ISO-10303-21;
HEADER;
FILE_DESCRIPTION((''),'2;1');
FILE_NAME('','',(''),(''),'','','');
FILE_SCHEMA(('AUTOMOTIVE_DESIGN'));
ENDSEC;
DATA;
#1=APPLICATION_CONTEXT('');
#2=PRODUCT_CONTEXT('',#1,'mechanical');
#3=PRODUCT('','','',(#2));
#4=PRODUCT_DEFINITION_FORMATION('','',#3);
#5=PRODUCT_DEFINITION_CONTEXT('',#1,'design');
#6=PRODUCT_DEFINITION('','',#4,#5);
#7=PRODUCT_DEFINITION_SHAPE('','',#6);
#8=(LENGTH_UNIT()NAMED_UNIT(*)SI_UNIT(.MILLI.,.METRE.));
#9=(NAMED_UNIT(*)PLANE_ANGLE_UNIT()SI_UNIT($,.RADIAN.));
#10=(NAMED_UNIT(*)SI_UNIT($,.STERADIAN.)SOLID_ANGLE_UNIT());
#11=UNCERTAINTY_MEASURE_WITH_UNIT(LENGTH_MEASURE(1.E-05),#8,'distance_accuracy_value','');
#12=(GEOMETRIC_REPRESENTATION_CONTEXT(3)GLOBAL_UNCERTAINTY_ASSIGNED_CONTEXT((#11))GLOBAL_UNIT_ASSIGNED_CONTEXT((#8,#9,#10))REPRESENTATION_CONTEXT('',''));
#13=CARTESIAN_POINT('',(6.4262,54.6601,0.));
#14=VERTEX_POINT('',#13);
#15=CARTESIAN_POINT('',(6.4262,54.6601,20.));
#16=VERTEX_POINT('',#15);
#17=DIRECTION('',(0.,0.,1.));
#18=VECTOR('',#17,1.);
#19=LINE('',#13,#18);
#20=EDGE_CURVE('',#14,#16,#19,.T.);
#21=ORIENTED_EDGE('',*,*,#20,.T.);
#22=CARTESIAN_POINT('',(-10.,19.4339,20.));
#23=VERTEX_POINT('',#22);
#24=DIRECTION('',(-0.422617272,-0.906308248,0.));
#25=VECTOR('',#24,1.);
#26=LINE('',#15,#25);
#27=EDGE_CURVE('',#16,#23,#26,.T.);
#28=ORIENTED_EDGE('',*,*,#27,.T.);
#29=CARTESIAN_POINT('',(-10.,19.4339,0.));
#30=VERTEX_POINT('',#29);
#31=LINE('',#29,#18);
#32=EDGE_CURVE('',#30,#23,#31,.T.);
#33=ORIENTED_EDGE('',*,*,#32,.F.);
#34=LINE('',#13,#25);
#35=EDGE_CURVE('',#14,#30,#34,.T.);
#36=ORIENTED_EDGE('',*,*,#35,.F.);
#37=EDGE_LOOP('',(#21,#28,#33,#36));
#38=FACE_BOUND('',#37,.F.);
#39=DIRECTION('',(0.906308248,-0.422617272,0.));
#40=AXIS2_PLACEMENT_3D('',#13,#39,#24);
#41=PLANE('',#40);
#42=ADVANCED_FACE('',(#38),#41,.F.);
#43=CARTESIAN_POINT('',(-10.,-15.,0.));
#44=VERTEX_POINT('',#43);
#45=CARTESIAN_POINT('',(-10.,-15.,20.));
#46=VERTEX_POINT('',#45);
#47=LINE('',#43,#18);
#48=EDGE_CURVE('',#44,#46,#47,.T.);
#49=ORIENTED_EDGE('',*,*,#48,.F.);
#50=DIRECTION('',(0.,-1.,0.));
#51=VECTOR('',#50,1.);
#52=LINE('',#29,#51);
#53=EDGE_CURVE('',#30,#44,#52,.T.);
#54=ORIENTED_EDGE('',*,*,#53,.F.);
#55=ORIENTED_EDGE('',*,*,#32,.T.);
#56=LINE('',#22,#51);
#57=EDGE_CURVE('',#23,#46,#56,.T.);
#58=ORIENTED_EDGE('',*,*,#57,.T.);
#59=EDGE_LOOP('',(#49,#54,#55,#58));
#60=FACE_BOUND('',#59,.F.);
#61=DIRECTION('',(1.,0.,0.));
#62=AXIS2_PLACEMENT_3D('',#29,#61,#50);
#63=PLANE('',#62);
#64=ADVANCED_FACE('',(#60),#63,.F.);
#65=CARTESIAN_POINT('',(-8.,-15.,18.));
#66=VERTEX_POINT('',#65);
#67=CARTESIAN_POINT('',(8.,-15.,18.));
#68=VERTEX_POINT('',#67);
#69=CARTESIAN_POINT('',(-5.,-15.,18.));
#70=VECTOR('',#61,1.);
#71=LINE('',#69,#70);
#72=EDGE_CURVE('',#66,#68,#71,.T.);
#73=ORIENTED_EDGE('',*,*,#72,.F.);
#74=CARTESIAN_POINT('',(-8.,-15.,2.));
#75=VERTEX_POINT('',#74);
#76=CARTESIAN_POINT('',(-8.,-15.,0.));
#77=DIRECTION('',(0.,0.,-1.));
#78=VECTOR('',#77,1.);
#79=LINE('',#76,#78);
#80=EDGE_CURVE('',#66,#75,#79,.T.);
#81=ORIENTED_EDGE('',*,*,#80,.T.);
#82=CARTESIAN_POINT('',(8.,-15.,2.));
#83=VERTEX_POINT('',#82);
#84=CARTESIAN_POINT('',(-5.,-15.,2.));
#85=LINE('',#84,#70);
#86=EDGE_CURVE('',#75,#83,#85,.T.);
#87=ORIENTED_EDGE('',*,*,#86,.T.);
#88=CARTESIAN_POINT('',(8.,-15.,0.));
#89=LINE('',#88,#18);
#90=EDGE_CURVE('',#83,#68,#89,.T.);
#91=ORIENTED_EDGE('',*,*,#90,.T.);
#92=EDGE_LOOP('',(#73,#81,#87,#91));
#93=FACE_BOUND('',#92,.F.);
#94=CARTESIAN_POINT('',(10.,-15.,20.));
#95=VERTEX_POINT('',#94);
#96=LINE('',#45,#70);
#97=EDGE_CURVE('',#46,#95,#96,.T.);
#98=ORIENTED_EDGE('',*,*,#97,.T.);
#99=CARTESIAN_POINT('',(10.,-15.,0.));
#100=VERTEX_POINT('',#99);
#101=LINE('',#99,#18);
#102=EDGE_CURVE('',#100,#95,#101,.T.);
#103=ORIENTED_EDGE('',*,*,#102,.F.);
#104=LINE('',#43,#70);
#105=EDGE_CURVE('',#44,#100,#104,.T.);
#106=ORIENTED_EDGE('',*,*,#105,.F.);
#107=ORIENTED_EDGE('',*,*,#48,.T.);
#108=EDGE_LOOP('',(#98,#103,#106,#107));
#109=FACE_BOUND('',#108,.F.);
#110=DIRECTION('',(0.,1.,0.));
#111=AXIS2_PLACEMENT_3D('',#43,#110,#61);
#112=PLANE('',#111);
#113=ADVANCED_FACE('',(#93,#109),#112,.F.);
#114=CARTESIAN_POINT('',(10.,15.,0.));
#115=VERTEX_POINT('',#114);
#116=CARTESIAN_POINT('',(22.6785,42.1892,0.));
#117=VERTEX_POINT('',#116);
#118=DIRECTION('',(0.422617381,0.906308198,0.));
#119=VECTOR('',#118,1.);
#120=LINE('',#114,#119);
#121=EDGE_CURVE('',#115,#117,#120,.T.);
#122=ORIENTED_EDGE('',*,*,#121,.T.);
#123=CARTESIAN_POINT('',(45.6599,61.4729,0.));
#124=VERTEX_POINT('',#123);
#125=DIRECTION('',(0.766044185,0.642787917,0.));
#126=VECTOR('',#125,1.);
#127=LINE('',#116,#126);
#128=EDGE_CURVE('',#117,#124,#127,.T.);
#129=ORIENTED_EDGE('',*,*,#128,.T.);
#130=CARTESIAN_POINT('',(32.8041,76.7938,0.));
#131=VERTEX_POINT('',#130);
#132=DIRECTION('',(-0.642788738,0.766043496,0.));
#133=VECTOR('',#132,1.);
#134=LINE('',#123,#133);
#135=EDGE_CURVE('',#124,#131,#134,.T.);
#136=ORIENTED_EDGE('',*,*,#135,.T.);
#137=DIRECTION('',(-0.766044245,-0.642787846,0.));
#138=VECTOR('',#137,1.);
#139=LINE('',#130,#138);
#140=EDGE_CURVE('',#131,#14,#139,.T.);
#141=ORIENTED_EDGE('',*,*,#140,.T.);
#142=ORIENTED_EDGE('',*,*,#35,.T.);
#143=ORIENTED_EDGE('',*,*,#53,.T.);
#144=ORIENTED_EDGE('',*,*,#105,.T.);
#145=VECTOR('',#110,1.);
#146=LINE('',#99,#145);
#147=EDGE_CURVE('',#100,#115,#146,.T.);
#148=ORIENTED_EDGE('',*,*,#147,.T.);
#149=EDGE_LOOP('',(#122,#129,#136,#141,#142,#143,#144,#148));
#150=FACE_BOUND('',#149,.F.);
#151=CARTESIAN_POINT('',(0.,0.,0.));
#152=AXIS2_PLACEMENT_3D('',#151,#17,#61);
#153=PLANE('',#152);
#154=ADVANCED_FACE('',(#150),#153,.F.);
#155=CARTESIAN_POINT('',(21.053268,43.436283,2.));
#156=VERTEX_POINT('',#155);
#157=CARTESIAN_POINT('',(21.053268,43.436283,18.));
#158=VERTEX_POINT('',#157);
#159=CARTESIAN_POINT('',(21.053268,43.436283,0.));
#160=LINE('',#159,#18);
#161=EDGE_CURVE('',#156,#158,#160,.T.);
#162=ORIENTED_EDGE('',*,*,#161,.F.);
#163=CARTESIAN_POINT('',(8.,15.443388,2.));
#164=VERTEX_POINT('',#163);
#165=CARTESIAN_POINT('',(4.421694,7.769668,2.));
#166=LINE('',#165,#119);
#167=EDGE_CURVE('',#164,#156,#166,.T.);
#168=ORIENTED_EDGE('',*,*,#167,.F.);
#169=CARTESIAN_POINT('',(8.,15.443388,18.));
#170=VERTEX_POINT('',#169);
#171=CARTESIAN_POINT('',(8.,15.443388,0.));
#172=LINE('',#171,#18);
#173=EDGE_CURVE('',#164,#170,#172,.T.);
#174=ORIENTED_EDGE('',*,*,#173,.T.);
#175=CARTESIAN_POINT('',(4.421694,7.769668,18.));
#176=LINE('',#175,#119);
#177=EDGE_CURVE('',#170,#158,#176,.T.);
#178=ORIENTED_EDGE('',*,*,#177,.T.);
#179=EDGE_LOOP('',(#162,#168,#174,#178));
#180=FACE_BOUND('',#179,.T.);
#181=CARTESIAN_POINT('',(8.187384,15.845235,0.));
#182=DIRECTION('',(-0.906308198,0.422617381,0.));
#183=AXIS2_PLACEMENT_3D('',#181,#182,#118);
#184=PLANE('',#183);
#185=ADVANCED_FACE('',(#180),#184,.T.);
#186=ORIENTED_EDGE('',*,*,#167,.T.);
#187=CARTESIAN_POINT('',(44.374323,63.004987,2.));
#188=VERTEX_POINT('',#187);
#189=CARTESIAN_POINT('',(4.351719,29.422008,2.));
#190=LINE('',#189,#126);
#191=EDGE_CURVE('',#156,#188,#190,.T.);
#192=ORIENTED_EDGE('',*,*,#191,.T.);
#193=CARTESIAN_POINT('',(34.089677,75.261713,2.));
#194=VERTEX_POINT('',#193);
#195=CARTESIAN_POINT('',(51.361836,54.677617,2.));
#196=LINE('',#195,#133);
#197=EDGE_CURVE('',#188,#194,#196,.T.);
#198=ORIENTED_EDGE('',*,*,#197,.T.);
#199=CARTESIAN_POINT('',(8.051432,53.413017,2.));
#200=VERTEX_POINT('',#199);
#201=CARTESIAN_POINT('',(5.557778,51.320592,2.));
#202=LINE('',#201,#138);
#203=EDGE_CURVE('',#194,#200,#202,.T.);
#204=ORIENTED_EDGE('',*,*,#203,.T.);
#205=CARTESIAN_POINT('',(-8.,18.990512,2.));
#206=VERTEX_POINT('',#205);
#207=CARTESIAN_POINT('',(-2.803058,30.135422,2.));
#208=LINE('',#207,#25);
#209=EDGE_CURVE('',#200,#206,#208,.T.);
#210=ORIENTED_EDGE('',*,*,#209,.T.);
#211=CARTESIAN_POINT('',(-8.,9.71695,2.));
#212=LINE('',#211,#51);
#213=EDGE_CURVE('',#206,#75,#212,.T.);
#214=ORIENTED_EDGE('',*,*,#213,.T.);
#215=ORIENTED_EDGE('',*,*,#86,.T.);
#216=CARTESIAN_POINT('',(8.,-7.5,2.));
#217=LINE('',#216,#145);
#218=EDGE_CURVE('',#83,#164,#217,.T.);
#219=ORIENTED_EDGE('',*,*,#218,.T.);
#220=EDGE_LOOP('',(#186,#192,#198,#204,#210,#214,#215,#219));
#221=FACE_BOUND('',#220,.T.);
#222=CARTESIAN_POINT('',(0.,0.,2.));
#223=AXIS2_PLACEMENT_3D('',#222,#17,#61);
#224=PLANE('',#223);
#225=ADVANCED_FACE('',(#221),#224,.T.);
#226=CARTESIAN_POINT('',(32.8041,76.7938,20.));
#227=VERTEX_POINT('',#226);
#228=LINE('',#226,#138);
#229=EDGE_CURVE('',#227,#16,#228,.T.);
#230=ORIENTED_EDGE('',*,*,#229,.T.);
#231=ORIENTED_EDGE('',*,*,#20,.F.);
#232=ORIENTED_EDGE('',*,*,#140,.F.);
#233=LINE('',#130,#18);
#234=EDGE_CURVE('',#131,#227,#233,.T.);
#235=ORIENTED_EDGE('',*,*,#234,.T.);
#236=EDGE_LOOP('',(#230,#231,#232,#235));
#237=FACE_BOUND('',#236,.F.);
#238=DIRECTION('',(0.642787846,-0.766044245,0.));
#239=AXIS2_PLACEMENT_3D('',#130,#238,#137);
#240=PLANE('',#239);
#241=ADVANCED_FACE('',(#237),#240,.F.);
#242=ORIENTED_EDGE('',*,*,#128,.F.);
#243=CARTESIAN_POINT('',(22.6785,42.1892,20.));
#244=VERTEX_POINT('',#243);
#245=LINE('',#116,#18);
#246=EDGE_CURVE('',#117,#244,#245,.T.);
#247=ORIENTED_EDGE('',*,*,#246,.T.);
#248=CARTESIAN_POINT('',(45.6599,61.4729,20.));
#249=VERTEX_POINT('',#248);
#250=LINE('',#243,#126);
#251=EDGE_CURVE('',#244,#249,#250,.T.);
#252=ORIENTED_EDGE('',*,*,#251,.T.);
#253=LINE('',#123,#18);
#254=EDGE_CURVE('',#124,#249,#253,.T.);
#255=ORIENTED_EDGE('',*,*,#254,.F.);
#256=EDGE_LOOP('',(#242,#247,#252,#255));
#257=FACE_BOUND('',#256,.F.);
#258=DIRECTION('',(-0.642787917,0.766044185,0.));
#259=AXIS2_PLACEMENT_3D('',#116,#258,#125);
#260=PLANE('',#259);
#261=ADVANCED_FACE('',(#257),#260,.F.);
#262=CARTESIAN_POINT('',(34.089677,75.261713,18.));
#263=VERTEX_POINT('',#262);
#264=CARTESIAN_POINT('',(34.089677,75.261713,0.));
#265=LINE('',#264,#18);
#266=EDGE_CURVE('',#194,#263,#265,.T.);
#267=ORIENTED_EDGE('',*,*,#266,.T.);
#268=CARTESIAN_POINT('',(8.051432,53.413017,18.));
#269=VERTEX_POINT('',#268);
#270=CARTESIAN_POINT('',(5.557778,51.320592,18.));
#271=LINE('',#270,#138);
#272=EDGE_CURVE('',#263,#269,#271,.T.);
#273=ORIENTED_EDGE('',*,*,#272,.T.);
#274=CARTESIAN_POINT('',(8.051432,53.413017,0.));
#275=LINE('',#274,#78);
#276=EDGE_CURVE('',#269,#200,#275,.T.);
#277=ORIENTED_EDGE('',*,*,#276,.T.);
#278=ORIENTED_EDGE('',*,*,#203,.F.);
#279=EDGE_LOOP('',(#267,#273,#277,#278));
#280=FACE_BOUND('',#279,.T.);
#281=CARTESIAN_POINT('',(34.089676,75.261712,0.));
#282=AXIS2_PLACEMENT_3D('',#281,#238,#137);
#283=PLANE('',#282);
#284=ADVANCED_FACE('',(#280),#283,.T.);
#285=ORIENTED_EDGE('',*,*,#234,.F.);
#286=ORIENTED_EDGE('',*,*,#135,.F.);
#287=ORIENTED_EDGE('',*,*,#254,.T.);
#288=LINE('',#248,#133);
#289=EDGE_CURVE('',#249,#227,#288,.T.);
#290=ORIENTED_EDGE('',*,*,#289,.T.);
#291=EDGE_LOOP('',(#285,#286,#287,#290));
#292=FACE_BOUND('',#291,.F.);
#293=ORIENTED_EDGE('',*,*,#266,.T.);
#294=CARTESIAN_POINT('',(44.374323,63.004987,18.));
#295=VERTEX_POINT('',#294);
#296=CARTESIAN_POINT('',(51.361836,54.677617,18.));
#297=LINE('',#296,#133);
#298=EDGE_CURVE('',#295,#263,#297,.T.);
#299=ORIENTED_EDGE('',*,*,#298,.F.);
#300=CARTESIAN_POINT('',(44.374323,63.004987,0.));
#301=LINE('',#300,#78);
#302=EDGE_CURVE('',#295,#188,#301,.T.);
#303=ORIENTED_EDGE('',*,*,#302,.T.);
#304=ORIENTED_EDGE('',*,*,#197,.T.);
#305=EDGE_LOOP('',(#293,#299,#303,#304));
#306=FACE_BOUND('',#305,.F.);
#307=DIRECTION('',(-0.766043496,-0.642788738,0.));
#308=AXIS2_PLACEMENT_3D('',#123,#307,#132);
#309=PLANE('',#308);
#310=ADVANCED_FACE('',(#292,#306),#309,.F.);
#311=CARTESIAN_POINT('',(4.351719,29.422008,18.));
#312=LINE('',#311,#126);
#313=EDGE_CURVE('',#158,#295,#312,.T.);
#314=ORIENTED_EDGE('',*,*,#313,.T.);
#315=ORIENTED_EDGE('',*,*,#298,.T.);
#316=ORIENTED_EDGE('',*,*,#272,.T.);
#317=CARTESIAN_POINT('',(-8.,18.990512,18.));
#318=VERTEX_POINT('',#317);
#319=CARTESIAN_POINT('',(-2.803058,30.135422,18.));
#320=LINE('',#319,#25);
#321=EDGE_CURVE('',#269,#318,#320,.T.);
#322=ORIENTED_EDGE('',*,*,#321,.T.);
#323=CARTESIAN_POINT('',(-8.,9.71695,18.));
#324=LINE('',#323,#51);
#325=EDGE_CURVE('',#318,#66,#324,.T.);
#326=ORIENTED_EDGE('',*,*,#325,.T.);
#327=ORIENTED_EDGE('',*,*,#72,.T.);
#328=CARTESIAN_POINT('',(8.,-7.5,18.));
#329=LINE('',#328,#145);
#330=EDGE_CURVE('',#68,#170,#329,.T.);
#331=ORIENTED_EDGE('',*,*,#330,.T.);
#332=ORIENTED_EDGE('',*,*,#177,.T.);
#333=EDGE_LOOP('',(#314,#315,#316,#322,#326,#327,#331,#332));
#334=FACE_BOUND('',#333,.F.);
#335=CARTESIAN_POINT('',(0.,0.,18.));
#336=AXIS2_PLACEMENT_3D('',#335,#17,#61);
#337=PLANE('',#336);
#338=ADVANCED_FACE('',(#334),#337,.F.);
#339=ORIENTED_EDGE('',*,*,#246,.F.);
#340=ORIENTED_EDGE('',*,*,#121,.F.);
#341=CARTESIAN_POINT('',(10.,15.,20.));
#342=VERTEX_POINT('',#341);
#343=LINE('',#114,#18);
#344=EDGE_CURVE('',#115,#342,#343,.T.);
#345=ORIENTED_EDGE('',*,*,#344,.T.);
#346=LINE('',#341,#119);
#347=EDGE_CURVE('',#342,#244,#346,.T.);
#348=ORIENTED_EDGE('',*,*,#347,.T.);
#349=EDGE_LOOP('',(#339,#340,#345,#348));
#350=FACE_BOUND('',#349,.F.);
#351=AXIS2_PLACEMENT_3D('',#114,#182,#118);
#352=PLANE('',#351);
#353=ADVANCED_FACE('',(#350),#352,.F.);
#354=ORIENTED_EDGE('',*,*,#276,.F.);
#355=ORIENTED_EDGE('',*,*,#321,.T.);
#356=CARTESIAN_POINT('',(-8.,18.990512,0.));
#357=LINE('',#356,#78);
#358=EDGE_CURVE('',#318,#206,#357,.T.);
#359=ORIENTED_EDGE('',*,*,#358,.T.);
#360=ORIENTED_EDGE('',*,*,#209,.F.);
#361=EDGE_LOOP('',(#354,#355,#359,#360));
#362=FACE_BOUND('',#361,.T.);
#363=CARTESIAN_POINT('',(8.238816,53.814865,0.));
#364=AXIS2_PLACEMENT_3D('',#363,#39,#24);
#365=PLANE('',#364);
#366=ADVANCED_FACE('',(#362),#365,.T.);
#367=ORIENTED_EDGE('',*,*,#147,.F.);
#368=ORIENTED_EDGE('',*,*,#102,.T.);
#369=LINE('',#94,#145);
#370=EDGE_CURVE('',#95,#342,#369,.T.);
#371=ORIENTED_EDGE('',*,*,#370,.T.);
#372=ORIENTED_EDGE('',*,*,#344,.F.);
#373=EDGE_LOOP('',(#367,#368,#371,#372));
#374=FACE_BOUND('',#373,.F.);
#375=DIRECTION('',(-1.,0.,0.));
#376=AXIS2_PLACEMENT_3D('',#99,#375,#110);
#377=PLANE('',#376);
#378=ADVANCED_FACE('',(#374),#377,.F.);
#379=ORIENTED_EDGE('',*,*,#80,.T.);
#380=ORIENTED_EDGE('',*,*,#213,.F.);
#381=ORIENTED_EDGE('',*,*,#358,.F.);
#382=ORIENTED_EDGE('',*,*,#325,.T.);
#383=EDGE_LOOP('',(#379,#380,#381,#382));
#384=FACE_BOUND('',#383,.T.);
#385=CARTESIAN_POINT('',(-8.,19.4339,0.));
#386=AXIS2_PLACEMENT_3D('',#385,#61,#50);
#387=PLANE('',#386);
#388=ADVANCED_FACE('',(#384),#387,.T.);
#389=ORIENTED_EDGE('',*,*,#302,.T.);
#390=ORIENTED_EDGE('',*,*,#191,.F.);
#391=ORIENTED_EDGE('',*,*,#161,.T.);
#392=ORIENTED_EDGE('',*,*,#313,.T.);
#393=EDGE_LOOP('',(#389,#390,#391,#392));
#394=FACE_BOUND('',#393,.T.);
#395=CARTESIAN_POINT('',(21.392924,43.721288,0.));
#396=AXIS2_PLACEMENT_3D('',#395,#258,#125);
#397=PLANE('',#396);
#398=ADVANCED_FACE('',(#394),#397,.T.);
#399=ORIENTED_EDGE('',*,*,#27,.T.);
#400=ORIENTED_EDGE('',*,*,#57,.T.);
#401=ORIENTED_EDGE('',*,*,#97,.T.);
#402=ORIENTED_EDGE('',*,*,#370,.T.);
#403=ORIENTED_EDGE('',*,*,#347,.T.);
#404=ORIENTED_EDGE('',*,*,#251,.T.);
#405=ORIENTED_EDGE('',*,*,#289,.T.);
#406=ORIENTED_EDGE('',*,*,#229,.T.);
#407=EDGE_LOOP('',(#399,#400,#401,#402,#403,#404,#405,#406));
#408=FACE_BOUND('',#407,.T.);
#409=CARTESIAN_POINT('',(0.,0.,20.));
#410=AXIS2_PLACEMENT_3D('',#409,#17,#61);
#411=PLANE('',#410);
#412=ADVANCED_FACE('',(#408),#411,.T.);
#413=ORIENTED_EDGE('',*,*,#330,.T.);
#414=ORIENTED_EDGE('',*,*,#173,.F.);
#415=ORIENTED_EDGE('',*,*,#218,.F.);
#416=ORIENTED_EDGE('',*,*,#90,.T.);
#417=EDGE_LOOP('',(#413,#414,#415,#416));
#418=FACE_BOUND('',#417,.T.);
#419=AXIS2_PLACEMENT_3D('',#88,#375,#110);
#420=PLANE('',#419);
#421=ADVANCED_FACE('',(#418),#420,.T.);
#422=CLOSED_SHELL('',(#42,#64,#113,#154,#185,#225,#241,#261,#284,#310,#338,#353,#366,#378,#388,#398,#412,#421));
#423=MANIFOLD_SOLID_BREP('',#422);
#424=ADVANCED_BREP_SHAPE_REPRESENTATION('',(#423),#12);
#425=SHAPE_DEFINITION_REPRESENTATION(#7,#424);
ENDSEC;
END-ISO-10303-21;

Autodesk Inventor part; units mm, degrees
ref_plane "YZ Plane" through (0, 0, 0) normal (1, 0, 0) x (0, 1, 0)
ref_plane "XZ Plane" through (0, 0, 0) normal (0, 1, 0) x (-1, 0, 0)
ref_plane "XY Plane" through (0, 0, 0) normal (0, 0, 1) x (1, 0, 0)
sketch "Sketch1" plane through (0, 0, 0) normal (0, 0, 1) x (1, 0, 0)
  line L0 (-10, -15) -> (10, -15)
  line L1 (10, -15) -> (10, 15)
  line L2 (10, 15) -> (-10, 15) construction
  line L3 (-10, 19.4339) -> (-10, -15)
  line L4 (-10, -15) -> (10, 15) construction
  line L5 (10, -15) -> (-10, 15) construction
  line L6 (10, 15) -> (22.6785, 42.1892)
  line L7 (22.6785, 42.1892) -> (4.5524, 50.6416) construction
  line L8 (6.4262, 54.6601) -> (-10, 19.4339)
  line L9 (9.8228, 57.5101) -> (22.6785, 42.1892) construction
  line L10 (22.6785, 42.1892) -> (45.6599, 61.4729)
  line L11 (45.6599, 61.4729) -> (32.8041, 76.7938)
  line L12 (32.8041, 76.7938) -> (6.4262, 54.6601)
  line L13 (12.6785, 27.1892) -> (32.6785, 57.1892) construction
  line L14 (32.6785, 27.1892) -> (12.6785, 57.1892) construction
  point P0 (0, 0)
  dimension "d3" = 30
  dimension "d4" = 20
  dimension "d5" = 30
  dimension "d6" = 34.4339
  dimension "d9" = 90
  dimension "d10" = 20
  dimension "d12" = 155
  dimension "d13" = 35.2262
  dimension "d14" = 22.1337
  dimension "d15" = 26.3779
  dimension "d16" = 20
extrude "Extrusion1" add sketch "Sketch1" along normal blind 20
shell "Shell1" thickness 2 removed faces 2 at (-3.3333, -15, 6.6667) at (41.3746, 66.5798, 6.6667)
properties part number "bent_finger_model"
